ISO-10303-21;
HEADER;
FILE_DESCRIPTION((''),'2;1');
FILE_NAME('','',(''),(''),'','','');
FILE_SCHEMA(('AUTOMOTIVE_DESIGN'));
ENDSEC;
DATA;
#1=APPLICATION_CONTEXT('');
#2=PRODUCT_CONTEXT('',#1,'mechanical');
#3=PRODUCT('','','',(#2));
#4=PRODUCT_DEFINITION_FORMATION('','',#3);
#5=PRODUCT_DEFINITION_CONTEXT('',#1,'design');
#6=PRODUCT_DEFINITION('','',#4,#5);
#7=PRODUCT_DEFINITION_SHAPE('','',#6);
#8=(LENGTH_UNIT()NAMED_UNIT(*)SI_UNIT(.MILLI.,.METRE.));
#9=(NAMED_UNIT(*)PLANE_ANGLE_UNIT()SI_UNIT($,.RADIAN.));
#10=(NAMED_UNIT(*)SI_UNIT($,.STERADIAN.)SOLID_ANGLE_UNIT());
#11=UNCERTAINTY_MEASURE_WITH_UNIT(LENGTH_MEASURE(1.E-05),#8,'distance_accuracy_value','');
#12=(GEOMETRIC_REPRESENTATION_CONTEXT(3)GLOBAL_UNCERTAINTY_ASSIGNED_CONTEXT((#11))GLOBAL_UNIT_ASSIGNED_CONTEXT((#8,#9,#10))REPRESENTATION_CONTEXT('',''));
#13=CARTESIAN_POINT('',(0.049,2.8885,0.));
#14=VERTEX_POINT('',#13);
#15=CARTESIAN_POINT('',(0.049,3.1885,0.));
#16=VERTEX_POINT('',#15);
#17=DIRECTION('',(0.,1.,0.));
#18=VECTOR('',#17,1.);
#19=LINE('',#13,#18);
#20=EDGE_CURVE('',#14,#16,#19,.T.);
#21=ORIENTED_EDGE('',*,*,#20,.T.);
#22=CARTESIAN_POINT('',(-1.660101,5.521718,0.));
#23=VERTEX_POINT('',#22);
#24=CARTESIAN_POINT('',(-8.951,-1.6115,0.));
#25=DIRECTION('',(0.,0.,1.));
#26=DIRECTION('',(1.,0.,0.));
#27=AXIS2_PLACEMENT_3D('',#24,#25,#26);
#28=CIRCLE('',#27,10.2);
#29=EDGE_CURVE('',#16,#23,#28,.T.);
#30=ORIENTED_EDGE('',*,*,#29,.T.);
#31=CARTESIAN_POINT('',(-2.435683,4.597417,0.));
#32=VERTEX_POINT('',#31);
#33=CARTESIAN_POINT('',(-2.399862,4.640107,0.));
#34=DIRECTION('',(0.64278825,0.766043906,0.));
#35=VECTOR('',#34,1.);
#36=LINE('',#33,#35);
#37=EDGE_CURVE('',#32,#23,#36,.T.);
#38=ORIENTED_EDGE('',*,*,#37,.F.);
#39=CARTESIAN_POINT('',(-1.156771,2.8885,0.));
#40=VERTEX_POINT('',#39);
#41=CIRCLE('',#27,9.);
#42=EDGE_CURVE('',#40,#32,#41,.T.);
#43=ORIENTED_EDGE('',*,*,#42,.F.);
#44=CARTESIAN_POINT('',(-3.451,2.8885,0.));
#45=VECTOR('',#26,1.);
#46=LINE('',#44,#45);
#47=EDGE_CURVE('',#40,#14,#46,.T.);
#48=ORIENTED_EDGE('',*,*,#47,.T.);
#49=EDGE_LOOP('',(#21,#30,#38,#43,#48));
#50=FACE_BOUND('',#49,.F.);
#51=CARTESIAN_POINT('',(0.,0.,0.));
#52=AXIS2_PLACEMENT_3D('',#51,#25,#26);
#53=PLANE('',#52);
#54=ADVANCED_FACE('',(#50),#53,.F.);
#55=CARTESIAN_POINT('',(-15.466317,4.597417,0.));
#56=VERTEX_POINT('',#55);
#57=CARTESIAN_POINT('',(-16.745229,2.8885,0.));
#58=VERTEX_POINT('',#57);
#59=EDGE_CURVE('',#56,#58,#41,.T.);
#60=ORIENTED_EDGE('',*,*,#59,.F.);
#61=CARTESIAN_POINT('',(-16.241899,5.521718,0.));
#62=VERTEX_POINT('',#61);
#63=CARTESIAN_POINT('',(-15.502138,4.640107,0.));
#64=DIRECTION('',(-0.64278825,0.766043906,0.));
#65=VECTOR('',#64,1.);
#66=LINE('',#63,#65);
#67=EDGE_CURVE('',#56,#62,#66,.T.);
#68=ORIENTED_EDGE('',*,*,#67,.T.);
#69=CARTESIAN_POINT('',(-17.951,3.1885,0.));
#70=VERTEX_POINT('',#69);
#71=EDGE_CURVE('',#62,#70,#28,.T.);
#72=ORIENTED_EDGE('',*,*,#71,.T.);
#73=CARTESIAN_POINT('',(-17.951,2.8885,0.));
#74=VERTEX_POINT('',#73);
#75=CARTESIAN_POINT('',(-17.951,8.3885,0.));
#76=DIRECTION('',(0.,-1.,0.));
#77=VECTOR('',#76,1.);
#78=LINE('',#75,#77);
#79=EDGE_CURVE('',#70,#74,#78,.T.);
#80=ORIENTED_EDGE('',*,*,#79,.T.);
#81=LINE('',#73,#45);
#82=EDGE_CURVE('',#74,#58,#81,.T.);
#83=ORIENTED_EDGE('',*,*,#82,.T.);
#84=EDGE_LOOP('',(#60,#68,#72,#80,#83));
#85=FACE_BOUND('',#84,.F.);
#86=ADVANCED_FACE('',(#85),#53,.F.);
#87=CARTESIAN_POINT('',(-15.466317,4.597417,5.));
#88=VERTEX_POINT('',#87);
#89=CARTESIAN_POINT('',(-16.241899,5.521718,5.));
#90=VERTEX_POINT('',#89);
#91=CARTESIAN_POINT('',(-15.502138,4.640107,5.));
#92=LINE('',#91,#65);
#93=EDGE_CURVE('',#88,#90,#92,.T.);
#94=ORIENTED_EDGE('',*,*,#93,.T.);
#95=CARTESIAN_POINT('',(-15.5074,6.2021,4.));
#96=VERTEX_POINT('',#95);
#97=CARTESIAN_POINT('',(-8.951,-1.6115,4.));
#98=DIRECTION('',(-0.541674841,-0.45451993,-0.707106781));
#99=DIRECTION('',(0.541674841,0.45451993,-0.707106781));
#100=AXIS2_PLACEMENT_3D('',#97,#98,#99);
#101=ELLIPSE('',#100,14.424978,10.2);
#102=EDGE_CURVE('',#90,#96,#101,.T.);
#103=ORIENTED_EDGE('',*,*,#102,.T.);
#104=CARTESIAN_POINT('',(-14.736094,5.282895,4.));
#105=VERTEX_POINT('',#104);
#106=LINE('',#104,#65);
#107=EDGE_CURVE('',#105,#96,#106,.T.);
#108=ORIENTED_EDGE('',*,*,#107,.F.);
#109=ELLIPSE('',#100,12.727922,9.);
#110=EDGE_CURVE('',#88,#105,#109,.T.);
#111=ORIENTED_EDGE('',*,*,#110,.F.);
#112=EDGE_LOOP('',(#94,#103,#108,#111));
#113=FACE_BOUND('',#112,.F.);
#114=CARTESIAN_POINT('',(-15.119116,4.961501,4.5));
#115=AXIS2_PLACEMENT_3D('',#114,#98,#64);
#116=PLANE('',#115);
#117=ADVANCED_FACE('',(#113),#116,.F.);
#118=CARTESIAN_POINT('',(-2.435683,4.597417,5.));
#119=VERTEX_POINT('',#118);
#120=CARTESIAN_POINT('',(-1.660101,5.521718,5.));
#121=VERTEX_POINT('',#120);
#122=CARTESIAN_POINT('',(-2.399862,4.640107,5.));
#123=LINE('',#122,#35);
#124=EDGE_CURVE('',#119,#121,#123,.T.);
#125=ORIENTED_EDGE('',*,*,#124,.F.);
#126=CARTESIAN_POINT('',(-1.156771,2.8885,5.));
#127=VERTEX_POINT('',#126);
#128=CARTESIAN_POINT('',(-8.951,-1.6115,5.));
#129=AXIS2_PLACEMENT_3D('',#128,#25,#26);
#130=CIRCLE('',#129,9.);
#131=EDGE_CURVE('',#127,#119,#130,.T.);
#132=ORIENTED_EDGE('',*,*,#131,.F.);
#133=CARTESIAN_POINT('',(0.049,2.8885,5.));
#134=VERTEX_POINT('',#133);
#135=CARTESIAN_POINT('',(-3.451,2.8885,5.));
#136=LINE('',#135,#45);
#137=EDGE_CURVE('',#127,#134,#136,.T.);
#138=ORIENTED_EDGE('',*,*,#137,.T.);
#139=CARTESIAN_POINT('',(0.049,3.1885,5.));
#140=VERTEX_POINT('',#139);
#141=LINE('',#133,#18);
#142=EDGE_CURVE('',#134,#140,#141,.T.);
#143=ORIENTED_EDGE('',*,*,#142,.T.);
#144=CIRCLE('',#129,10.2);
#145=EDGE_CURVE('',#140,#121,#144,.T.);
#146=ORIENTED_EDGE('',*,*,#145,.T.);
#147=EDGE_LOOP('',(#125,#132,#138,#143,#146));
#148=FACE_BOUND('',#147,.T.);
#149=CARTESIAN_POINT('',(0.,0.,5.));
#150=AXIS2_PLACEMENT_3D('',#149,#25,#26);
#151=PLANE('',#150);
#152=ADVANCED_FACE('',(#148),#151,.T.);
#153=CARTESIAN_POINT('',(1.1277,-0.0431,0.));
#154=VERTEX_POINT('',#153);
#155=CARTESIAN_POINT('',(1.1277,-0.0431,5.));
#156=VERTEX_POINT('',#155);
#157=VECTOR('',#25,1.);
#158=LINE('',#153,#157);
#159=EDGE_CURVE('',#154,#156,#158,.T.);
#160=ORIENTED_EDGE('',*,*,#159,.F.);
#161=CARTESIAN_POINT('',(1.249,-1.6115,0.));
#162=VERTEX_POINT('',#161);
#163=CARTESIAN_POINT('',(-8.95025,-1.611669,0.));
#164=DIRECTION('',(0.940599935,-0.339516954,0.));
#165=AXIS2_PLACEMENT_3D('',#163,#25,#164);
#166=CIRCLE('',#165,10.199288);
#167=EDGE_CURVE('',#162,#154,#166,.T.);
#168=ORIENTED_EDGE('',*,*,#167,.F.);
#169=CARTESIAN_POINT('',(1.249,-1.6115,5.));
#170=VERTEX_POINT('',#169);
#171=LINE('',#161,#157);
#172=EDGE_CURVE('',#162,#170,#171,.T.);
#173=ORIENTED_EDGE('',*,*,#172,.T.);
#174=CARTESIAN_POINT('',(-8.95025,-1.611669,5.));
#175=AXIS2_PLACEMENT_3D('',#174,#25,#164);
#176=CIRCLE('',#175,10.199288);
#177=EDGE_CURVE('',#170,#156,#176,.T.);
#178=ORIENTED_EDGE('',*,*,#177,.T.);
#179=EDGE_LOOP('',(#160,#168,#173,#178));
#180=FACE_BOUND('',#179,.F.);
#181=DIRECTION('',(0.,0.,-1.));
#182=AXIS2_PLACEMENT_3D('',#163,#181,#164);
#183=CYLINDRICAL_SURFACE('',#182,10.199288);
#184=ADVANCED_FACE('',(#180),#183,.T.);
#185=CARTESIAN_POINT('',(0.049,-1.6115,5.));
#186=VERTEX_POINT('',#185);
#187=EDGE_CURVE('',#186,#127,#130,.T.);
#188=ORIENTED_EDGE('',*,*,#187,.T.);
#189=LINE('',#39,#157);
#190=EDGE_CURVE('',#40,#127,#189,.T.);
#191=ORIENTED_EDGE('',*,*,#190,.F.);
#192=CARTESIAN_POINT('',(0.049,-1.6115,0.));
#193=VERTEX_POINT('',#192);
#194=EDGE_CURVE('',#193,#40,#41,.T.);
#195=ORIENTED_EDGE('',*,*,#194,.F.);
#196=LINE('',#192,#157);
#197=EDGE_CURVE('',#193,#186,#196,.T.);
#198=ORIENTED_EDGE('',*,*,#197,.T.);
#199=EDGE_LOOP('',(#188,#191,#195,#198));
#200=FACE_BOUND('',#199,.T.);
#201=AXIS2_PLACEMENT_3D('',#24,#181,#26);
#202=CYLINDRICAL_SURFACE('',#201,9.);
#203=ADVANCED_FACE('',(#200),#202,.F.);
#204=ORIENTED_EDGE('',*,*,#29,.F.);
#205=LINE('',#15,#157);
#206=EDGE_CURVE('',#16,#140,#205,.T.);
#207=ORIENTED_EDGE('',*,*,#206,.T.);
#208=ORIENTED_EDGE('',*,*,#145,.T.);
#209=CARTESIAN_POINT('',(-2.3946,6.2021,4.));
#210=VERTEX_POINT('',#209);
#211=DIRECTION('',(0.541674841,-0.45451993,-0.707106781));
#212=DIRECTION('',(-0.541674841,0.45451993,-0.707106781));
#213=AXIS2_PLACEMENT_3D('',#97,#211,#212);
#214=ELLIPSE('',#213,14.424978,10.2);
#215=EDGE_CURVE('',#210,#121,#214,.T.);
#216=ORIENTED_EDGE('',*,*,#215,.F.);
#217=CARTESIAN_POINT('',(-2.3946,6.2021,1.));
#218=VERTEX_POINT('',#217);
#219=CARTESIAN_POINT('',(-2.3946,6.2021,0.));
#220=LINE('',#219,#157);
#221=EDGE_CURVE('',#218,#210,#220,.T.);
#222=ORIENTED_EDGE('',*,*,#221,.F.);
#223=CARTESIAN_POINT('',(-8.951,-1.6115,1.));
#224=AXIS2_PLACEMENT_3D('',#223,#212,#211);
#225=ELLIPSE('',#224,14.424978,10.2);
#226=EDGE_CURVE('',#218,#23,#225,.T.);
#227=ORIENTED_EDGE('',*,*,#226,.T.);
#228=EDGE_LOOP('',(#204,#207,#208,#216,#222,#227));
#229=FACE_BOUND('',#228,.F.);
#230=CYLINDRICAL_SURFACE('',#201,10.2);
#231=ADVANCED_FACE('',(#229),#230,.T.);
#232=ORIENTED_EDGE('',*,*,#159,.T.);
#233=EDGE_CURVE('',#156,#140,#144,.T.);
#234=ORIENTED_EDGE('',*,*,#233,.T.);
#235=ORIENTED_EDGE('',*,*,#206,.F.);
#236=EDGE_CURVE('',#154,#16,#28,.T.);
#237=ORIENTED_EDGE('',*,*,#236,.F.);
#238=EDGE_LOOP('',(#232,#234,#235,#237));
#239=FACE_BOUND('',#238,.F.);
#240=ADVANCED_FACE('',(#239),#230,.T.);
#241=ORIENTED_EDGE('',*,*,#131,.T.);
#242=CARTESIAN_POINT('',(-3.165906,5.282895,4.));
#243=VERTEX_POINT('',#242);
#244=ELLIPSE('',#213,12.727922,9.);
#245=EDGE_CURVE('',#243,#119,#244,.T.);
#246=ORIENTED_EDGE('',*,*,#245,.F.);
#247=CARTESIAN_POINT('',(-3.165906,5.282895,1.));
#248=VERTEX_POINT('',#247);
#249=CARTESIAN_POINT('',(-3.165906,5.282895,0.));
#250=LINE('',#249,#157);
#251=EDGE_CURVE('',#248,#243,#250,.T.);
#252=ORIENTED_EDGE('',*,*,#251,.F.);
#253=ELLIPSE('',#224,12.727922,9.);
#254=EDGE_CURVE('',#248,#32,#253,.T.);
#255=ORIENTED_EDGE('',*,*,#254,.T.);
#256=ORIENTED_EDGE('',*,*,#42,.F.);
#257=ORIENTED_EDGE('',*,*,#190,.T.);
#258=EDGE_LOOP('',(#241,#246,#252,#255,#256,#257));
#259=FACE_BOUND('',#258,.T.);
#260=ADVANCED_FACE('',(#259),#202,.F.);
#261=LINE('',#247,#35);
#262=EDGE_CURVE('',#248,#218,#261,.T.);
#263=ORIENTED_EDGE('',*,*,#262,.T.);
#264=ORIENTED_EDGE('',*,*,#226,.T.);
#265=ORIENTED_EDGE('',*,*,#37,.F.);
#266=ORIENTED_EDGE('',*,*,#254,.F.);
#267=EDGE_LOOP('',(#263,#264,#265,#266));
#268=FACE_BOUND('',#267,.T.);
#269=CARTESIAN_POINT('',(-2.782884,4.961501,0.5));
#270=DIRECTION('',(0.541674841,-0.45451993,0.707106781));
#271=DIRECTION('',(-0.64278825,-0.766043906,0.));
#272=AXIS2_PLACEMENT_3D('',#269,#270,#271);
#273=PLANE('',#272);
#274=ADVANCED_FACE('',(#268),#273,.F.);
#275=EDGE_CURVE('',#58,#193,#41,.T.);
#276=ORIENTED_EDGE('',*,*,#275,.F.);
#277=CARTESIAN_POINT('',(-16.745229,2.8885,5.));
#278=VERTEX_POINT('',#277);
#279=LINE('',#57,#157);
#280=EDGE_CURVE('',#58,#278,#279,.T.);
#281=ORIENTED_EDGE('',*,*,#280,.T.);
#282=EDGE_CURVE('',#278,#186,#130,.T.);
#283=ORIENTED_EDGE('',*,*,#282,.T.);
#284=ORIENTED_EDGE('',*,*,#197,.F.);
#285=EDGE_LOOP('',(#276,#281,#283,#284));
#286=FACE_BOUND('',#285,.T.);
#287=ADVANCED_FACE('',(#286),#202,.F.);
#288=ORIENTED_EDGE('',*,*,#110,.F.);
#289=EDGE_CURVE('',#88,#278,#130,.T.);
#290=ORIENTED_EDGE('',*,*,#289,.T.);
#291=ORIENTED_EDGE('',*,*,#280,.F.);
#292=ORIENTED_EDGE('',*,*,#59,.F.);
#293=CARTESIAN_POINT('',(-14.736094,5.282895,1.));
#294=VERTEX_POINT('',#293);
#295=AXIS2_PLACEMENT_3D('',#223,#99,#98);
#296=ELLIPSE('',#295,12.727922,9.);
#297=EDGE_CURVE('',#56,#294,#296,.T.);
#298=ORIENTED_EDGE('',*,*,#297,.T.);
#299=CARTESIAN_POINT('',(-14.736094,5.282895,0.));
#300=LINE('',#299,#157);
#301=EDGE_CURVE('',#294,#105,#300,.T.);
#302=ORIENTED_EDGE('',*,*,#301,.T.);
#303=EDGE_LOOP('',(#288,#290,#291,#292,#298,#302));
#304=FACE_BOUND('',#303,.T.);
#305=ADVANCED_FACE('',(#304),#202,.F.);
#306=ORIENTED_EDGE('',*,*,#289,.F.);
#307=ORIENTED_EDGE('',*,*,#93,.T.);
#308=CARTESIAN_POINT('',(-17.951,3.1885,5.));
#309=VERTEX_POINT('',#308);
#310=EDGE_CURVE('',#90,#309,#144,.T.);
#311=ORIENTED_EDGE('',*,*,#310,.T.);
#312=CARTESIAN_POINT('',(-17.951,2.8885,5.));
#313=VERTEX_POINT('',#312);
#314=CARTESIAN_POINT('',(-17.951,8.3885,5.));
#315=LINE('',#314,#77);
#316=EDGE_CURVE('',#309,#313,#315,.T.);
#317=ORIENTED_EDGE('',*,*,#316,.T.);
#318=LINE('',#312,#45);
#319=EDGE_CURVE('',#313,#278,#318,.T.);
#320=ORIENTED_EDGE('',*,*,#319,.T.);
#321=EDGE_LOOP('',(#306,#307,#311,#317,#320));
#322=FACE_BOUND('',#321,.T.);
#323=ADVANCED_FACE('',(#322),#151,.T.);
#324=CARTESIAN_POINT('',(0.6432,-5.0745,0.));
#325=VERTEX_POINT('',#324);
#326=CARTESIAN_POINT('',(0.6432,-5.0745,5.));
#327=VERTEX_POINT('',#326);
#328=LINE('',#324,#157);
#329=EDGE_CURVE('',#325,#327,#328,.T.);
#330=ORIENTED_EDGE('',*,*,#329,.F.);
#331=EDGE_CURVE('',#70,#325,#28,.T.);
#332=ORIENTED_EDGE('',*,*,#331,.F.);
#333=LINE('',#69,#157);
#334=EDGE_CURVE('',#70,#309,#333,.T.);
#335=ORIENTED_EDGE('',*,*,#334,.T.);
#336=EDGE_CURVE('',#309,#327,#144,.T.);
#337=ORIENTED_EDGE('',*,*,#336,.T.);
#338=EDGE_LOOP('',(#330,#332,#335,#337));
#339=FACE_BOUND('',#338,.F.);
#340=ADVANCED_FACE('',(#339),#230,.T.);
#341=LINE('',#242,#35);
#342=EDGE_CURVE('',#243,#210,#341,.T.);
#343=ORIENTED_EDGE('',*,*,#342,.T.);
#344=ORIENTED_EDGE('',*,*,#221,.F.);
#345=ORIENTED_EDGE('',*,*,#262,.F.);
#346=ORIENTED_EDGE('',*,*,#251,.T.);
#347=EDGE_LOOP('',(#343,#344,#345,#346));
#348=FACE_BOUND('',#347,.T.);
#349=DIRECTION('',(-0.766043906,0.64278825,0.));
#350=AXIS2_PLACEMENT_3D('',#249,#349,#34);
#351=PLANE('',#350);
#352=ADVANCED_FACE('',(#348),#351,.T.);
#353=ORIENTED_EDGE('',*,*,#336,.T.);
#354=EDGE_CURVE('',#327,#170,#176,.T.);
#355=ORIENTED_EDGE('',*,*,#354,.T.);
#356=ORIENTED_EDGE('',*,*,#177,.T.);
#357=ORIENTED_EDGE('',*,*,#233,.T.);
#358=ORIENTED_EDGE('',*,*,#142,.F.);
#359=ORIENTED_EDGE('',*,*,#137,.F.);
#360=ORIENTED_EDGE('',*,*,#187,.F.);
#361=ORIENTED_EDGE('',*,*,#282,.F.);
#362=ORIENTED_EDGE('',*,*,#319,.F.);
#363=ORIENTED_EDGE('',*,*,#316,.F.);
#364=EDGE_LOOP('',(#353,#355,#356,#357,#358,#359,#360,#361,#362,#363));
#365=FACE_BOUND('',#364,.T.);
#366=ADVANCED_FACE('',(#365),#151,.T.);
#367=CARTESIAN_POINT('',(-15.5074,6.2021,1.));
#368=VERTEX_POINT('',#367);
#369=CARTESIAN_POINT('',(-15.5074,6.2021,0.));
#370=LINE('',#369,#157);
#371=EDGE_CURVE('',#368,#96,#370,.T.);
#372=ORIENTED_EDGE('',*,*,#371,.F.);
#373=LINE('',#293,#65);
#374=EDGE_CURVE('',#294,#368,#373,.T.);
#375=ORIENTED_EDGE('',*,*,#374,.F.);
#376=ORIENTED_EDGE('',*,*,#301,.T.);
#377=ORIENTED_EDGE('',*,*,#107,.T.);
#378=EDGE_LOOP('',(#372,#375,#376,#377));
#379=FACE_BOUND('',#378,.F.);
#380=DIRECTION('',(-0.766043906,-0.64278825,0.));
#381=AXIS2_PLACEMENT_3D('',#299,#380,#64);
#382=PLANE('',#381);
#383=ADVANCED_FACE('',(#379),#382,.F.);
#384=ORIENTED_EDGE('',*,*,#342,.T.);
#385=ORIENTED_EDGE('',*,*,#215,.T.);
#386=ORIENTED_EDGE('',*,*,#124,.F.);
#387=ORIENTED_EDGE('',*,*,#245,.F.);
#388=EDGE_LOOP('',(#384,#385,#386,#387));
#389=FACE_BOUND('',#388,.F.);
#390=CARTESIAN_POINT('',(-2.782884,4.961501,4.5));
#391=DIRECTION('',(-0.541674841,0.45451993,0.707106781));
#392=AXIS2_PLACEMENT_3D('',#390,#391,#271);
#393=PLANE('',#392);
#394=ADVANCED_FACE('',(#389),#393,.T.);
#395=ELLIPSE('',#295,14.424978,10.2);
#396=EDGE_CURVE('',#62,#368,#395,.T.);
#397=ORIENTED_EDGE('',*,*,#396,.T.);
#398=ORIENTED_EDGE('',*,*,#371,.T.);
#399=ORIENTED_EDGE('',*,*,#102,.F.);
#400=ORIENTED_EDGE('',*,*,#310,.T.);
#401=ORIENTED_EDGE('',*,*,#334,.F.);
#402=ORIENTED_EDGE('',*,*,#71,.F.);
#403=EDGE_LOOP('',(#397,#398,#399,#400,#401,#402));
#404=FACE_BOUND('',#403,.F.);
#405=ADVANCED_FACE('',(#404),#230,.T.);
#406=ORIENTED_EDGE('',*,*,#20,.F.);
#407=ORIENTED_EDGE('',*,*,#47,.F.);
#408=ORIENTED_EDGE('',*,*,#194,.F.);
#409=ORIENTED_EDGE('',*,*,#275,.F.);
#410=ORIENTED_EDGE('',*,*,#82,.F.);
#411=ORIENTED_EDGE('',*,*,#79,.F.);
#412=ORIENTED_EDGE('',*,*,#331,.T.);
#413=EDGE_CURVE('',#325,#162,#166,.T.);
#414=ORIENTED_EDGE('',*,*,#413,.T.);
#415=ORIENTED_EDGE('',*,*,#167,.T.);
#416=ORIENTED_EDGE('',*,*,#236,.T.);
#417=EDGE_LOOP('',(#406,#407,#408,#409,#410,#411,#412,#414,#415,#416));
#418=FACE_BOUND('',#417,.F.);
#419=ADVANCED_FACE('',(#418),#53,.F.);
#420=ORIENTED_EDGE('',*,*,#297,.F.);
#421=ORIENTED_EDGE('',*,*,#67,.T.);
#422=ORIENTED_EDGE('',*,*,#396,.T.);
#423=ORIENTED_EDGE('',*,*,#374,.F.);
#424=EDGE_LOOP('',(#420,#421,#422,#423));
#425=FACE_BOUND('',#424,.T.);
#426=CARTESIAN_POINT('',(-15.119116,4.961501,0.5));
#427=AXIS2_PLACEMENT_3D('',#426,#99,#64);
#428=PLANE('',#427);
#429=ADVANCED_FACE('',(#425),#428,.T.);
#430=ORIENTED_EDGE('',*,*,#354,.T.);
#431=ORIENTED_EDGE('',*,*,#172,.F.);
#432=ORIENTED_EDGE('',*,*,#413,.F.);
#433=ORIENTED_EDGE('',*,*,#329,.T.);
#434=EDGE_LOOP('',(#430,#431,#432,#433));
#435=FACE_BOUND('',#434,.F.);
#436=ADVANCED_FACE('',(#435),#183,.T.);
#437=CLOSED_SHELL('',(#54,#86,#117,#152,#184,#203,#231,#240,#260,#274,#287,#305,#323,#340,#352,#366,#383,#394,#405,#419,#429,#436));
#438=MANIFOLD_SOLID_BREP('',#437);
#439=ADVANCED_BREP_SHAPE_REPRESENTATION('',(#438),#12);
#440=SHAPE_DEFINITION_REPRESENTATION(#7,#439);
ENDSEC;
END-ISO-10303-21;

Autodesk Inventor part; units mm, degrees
ref_plane "YZ Plane" through (0, 0, 0) normal (1, 0, 0) x (0, 1, 0)
ref_plane "XZ Plane" through (0, 0, 0) normal (0, 1, 0) x (-1, 0, 0)
ref_plane "XY Plane" through (0, 0, 0) normal (0, 0, 1) x (1, 0, 0)
sketch "Sketch1" plane through (0, 0, 0) normal (0, 0, 1) x (1, 0, 0)
  circle A0 centre (-8.951, -1.6115) radius 5.2 projected
  circle A1 centre (-8.951, -1.6115) radius 9
  arc A2 (0.6432, -5.0745) -> (1.1277, -0.0431) centre (-8.951, -1.6115) ccw projected
  circle A3 centre (-8.951, -1.6115) radius 10.2
  line L0 (0.049, 8.3885) -> (-1.451, 8.3885) projected
  line L1 (-1.451, 8.3885) -> (-4.951, 8.3885) projected
  arc A4 (-5.4092, 8.0885) -> (-4.951, 8.3885) centre (-5.4092, 8.5885) ccw projected
  line L2 (-5.4092, 8.0885) -> (-12.4927, 8.0885) projected
  arc A5 (-12.951, 8.3885) -> (-12.4927, 8.0885) centre (-12.4927, 8.5885) ccw projected
  line L3 (-12.951, 8.3885) -> (-16.451, 8.3885) projected
  line L4 (-16.451, 8.3885) -> (-17.951, 8.3885) projected
  line L5 (-17.951, 8.3885) -> (-17.951, 2.8885) projected
  line L6 (-17.951, 2.8885) -> (-14.451, 2.8885) projected
  arc A6 (-12.451, 0.8885) -> (-14.451, 2.8885) centre (-14.451, 0.8885) ccw projected
  line L7 (-12.451, 0.8885) -> (-12.451, -6.6115) projected
  line L8 (-12.451, -6.6115) -> (-5.451, -6.6115) projected
  line L9 (-5.451, -6.6115) -> (-5.451, 0.8885) projected
  arc A7 (-3.451, 2.8885) -> (-5.451, 0.8885) centre (-3.451, 0.8885) ccw projected
  line L10 (-3.451, 2.8885) -> (0.049, 2.8885) projected
  line L11 (0.049, 2.8885) -> (0.049, 8.3885) projected
  line L12 (-8.951, -1.6115) -> (-8.951, 8.0885)
  line L13 (-8.951, -1.6115) -> (-2.3946, 6.2021)
  line L14 (-8.951, -1.6115) -> (-15.5074, 6.2021)
  point P0 (0, 0)
  point P1 (-14.7361, 5.2829)
  point P2 (1.1277, -0.0431)
  point P3 (-3.1659, 5.2829)
  dimension "d0" = 18
  dimension "d1" = 20.4
  dimension "d2" = 40
  dimension "d3" = 40
extrude "Extrusion1" add sketch "Sketch1" along normal blind 5 contours L13 A3 L11 L10 A1 | L10 L11 A3 A2 L5 L6 A1 | A1 L6 L5 A3 L14
chamfer "Chamfer1" distance 1 angle 45 4 edges at (-15.1217, 5.7425, 5) (-15.1217, 5.7425, 0) (-2.7802, 5.7425, 5) (-2.7802, 5.7425, 0)
properties part number "bat_protect_ring"
